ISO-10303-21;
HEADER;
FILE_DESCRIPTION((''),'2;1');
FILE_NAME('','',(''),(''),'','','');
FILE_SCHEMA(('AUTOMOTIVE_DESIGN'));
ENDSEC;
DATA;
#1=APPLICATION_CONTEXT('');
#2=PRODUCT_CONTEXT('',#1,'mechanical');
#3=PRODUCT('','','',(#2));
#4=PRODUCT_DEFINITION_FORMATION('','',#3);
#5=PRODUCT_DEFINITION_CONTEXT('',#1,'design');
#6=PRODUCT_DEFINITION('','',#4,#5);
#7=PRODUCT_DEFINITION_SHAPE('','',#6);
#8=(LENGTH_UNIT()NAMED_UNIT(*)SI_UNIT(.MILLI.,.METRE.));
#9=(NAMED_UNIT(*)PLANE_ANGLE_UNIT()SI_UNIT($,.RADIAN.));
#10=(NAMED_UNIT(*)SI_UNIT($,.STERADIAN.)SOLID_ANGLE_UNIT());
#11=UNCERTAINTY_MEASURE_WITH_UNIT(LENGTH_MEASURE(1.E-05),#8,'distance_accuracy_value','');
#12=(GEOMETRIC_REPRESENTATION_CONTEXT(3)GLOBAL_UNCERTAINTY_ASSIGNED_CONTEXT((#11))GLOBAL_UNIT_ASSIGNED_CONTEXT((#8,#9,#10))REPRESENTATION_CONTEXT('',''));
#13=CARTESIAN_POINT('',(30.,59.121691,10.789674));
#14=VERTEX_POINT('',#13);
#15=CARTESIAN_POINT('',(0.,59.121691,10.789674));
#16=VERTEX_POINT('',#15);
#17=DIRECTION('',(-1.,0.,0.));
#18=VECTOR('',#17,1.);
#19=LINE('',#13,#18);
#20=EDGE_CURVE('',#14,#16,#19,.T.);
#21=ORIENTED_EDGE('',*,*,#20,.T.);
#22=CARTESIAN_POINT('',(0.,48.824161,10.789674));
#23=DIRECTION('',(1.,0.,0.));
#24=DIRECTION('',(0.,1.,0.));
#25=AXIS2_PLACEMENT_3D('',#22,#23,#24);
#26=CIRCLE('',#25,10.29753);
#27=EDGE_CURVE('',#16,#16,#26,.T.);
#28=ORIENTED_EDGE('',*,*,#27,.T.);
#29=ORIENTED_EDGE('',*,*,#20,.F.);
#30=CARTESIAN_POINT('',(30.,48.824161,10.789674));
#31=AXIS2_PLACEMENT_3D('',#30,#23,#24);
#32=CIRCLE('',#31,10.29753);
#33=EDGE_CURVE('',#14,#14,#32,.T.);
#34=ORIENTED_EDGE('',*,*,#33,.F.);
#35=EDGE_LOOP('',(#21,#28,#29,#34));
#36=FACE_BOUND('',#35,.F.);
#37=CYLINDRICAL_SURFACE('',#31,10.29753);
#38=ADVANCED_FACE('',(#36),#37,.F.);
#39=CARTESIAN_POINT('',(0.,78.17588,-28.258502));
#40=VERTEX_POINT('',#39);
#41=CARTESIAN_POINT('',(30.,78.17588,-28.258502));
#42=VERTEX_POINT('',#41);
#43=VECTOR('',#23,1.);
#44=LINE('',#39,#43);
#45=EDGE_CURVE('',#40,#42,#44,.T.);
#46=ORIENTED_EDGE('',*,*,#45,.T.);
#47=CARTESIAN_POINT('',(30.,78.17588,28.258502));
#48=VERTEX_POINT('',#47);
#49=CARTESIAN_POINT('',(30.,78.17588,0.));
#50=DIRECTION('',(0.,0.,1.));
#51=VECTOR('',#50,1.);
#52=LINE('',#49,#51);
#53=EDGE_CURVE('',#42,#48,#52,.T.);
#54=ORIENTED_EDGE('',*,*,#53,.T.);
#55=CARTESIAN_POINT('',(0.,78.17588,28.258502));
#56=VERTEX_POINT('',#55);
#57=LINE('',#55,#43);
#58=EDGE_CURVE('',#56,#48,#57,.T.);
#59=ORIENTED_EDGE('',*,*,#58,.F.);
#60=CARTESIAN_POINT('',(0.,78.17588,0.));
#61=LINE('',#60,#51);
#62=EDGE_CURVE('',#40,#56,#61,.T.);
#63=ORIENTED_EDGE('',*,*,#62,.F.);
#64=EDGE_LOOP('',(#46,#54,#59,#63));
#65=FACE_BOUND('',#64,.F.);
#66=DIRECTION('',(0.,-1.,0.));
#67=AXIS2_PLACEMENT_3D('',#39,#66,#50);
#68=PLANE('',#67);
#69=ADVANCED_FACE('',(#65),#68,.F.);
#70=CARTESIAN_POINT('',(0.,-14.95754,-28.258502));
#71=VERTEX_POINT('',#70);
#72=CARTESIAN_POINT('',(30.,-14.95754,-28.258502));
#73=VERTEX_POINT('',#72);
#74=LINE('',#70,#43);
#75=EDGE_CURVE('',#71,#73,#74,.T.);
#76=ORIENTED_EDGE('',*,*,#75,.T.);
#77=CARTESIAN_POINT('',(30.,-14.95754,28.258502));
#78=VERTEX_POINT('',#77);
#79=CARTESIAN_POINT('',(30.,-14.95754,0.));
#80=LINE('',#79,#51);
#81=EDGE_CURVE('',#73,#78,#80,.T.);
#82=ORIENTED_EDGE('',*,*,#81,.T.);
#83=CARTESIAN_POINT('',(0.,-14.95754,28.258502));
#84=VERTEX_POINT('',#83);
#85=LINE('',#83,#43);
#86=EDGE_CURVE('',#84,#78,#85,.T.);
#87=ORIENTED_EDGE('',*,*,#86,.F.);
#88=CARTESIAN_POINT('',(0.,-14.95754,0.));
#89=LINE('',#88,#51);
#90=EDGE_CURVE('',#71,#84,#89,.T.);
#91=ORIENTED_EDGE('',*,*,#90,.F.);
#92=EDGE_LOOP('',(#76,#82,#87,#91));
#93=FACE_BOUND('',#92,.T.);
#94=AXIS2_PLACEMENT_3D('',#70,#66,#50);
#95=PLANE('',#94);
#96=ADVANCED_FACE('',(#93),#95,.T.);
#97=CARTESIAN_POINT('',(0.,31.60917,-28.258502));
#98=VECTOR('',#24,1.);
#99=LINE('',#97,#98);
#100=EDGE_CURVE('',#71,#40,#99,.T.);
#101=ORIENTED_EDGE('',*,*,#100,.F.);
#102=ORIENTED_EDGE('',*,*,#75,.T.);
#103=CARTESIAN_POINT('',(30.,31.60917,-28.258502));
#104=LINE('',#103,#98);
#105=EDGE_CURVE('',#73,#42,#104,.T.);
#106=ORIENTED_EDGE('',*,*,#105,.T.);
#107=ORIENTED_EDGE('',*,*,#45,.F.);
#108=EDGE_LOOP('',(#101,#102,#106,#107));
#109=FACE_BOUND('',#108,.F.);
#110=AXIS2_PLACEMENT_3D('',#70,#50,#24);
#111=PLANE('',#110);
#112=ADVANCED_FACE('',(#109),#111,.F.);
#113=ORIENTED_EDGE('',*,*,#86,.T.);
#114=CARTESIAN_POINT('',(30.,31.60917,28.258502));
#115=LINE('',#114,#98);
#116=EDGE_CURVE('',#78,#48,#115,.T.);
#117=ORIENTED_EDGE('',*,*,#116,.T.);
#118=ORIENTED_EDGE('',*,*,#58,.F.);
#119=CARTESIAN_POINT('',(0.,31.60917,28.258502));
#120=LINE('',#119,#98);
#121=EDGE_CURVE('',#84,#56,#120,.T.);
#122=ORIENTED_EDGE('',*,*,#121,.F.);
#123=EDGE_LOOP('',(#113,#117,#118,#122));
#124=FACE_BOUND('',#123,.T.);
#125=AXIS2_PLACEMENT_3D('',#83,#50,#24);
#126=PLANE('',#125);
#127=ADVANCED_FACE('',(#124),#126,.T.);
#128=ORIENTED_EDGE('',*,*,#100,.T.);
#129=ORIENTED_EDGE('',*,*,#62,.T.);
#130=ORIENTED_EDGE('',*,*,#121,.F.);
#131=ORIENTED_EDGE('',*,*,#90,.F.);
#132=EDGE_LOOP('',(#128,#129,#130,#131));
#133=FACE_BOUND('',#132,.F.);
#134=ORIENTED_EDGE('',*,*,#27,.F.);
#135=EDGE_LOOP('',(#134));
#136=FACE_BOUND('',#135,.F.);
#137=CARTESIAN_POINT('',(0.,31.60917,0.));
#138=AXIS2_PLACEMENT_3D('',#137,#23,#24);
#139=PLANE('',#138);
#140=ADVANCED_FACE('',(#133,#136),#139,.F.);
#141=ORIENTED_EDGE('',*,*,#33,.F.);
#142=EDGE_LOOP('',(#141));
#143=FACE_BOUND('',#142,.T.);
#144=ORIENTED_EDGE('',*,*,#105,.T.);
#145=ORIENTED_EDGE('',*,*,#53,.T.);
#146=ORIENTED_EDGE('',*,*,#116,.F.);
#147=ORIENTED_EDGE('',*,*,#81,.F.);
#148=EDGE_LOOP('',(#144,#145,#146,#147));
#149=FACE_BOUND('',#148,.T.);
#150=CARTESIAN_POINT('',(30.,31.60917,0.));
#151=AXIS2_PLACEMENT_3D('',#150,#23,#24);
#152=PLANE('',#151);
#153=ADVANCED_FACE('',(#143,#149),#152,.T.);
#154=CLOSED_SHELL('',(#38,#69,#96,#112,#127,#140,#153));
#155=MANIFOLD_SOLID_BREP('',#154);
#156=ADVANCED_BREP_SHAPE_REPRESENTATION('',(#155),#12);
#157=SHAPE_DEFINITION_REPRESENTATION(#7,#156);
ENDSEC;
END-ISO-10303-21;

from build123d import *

# Parameters (mm, degrees)
F0_W     = 93.13342
F0_H     = 56.517004
F1_DEPTH = 30
F2_R     = 10.29753
F3_DEPTH = 30


with BuildPart() as f1:
    # F0 (on Right) → F1 (new body)
    with BuildSketch(Plane.YZ):
        with Locations((31.60917, 0)):
            Rectangle(F0_W, F0_H)
    extrude(amount=F1_DEPTH)

    # F2 (on face) → F3 (cut)
    with BuildSketch(Plane.YZ.offset(30)):
        with Locations((48.824161, 10.789674)):
            Circle(F2_R)
    extrude(amount=-F3_DEPTH, mode=Mode.SUBTRACT)


solid = f1.part
